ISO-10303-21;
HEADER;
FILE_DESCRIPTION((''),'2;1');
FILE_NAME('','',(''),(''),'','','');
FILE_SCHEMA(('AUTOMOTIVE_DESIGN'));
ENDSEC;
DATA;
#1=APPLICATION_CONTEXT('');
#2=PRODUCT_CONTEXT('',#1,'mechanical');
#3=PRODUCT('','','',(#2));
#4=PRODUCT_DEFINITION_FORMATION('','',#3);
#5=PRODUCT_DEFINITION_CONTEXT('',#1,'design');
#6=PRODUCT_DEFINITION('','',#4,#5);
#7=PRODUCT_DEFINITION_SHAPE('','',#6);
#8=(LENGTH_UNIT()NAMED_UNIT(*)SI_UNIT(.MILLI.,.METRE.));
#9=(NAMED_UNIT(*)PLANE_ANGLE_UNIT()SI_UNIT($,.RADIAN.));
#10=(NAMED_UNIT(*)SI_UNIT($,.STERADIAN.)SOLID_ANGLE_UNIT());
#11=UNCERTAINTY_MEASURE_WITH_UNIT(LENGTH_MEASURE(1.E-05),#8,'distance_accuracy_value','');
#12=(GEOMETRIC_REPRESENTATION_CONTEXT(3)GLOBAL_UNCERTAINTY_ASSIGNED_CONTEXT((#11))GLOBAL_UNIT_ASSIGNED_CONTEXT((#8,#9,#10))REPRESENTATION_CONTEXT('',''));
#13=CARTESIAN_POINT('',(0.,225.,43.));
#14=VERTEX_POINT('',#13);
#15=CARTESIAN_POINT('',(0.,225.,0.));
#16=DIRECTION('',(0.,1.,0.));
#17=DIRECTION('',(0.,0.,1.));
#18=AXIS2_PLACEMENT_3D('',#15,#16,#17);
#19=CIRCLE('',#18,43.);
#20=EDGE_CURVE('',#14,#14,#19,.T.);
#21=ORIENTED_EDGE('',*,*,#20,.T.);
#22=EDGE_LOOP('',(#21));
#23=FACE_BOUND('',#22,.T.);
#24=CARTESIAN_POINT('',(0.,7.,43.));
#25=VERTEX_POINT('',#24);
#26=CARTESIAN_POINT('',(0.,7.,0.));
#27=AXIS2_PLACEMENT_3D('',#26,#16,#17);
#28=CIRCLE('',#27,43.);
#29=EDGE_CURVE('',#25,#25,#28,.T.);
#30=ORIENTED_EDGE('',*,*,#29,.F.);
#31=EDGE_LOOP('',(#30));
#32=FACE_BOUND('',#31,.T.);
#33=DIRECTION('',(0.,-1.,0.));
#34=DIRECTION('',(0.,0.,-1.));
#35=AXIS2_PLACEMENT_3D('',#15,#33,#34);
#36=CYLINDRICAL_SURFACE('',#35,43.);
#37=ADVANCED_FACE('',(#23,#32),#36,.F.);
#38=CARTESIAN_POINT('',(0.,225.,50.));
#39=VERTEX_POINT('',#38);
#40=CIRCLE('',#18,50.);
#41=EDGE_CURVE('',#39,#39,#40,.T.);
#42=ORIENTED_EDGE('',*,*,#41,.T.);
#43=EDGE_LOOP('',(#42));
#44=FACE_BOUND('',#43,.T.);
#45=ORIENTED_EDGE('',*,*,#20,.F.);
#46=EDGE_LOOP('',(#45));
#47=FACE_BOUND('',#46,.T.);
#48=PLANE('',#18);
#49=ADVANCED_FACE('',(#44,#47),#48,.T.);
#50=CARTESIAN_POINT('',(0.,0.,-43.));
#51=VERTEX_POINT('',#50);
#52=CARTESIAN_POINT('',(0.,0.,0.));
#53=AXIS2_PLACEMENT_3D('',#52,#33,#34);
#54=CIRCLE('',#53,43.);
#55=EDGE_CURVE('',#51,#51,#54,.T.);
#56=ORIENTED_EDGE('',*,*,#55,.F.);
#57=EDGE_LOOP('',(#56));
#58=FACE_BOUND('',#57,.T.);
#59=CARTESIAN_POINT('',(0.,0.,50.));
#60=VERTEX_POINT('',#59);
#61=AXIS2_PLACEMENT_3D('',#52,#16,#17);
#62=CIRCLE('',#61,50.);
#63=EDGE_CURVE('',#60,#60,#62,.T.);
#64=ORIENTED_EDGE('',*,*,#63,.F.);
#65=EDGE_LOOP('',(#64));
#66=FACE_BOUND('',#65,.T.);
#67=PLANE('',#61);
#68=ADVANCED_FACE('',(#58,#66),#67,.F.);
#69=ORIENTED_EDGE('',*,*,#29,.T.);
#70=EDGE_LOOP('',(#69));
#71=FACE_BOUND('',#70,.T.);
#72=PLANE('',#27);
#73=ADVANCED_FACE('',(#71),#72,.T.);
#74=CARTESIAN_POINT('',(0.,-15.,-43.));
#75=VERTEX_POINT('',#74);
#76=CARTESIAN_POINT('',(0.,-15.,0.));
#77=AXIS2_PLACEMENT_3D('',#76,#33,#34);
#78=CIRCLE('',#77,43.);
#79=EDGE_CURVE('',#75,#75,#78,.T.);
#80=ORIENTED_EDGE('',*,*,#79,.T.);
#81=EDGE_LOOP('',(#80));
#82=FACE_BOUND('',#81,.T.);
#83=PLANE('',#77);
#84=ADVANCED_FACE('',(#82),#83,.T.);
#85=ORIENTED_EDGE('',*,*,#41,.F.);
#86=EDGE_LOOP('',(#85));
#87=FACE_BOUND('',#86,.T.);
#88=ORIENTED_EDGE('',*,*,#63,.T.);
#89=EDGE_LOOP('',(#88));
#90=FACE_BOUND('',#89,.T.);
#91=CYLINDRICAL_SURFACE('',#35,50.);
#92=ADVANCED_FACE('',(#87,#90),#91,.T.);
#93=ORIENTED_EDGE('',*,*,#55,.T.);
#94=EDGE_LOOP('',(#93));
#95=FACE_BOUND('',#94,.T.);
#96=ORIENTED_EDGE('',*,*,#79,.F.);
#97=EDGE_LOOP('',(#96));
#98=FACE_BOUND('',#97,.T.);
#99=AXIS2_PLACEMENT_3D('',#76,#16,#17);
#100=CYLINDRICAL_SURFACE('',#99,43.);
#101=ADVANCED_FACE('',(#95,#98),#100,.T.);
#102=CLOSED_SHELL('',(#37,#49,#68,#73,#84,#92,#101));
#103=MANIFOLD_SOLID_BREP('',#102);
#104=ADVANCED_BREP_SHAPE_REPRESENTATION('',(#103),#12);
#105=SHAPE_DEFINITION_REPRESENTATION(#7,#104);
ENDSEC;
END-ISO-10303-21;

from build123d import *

# Parameters (mm, degrees)
SKETCH1_R           = 50
BOSS_EXTRUDE1_DEPTH = 225
SHELL1_T            = -7
BOSS_EXTRUDE2_START = 15
SKETCH2_R           = 43
BOSS_EXTRUDE2_DEPTH = 15


with BuildPart() as part:
    # Sketch1 → Boss-Extrude1 (new body)
    with BuildSketch(Plane(origin=(0, 0, 0), x_dir=(1, 0, 0), z_dir=(0, 1, 0))):
        with Locations(Location((0, 0, 0), (0, 0, 270))):
            Circle(SKETCH1_R)
    extrude(amount=BOSS_EXTRUDE1_DEPTH)

    # Shell1
    shell1_openings = [part.faces().sort_by_distance(p)[0] for p in [
        (0, 225, 0),
    ]]
    offset(amount=SHELL1_T, openings=shell1_openings, kind=Kind.INTERSECTION)

    # Sketch2 → Boss-Extrude2 (add)
    with BuildSketch(Plane.XZ.offset(BOSS_EXTRUDE2_START)):
        with Locations(Location((0, 0, 0), (0, 0, 90))):
            Circle(SKETCH2_R)
    extrude(amount=-BOSS_EXTRUDE2_DEPTH)


solid = part.part
